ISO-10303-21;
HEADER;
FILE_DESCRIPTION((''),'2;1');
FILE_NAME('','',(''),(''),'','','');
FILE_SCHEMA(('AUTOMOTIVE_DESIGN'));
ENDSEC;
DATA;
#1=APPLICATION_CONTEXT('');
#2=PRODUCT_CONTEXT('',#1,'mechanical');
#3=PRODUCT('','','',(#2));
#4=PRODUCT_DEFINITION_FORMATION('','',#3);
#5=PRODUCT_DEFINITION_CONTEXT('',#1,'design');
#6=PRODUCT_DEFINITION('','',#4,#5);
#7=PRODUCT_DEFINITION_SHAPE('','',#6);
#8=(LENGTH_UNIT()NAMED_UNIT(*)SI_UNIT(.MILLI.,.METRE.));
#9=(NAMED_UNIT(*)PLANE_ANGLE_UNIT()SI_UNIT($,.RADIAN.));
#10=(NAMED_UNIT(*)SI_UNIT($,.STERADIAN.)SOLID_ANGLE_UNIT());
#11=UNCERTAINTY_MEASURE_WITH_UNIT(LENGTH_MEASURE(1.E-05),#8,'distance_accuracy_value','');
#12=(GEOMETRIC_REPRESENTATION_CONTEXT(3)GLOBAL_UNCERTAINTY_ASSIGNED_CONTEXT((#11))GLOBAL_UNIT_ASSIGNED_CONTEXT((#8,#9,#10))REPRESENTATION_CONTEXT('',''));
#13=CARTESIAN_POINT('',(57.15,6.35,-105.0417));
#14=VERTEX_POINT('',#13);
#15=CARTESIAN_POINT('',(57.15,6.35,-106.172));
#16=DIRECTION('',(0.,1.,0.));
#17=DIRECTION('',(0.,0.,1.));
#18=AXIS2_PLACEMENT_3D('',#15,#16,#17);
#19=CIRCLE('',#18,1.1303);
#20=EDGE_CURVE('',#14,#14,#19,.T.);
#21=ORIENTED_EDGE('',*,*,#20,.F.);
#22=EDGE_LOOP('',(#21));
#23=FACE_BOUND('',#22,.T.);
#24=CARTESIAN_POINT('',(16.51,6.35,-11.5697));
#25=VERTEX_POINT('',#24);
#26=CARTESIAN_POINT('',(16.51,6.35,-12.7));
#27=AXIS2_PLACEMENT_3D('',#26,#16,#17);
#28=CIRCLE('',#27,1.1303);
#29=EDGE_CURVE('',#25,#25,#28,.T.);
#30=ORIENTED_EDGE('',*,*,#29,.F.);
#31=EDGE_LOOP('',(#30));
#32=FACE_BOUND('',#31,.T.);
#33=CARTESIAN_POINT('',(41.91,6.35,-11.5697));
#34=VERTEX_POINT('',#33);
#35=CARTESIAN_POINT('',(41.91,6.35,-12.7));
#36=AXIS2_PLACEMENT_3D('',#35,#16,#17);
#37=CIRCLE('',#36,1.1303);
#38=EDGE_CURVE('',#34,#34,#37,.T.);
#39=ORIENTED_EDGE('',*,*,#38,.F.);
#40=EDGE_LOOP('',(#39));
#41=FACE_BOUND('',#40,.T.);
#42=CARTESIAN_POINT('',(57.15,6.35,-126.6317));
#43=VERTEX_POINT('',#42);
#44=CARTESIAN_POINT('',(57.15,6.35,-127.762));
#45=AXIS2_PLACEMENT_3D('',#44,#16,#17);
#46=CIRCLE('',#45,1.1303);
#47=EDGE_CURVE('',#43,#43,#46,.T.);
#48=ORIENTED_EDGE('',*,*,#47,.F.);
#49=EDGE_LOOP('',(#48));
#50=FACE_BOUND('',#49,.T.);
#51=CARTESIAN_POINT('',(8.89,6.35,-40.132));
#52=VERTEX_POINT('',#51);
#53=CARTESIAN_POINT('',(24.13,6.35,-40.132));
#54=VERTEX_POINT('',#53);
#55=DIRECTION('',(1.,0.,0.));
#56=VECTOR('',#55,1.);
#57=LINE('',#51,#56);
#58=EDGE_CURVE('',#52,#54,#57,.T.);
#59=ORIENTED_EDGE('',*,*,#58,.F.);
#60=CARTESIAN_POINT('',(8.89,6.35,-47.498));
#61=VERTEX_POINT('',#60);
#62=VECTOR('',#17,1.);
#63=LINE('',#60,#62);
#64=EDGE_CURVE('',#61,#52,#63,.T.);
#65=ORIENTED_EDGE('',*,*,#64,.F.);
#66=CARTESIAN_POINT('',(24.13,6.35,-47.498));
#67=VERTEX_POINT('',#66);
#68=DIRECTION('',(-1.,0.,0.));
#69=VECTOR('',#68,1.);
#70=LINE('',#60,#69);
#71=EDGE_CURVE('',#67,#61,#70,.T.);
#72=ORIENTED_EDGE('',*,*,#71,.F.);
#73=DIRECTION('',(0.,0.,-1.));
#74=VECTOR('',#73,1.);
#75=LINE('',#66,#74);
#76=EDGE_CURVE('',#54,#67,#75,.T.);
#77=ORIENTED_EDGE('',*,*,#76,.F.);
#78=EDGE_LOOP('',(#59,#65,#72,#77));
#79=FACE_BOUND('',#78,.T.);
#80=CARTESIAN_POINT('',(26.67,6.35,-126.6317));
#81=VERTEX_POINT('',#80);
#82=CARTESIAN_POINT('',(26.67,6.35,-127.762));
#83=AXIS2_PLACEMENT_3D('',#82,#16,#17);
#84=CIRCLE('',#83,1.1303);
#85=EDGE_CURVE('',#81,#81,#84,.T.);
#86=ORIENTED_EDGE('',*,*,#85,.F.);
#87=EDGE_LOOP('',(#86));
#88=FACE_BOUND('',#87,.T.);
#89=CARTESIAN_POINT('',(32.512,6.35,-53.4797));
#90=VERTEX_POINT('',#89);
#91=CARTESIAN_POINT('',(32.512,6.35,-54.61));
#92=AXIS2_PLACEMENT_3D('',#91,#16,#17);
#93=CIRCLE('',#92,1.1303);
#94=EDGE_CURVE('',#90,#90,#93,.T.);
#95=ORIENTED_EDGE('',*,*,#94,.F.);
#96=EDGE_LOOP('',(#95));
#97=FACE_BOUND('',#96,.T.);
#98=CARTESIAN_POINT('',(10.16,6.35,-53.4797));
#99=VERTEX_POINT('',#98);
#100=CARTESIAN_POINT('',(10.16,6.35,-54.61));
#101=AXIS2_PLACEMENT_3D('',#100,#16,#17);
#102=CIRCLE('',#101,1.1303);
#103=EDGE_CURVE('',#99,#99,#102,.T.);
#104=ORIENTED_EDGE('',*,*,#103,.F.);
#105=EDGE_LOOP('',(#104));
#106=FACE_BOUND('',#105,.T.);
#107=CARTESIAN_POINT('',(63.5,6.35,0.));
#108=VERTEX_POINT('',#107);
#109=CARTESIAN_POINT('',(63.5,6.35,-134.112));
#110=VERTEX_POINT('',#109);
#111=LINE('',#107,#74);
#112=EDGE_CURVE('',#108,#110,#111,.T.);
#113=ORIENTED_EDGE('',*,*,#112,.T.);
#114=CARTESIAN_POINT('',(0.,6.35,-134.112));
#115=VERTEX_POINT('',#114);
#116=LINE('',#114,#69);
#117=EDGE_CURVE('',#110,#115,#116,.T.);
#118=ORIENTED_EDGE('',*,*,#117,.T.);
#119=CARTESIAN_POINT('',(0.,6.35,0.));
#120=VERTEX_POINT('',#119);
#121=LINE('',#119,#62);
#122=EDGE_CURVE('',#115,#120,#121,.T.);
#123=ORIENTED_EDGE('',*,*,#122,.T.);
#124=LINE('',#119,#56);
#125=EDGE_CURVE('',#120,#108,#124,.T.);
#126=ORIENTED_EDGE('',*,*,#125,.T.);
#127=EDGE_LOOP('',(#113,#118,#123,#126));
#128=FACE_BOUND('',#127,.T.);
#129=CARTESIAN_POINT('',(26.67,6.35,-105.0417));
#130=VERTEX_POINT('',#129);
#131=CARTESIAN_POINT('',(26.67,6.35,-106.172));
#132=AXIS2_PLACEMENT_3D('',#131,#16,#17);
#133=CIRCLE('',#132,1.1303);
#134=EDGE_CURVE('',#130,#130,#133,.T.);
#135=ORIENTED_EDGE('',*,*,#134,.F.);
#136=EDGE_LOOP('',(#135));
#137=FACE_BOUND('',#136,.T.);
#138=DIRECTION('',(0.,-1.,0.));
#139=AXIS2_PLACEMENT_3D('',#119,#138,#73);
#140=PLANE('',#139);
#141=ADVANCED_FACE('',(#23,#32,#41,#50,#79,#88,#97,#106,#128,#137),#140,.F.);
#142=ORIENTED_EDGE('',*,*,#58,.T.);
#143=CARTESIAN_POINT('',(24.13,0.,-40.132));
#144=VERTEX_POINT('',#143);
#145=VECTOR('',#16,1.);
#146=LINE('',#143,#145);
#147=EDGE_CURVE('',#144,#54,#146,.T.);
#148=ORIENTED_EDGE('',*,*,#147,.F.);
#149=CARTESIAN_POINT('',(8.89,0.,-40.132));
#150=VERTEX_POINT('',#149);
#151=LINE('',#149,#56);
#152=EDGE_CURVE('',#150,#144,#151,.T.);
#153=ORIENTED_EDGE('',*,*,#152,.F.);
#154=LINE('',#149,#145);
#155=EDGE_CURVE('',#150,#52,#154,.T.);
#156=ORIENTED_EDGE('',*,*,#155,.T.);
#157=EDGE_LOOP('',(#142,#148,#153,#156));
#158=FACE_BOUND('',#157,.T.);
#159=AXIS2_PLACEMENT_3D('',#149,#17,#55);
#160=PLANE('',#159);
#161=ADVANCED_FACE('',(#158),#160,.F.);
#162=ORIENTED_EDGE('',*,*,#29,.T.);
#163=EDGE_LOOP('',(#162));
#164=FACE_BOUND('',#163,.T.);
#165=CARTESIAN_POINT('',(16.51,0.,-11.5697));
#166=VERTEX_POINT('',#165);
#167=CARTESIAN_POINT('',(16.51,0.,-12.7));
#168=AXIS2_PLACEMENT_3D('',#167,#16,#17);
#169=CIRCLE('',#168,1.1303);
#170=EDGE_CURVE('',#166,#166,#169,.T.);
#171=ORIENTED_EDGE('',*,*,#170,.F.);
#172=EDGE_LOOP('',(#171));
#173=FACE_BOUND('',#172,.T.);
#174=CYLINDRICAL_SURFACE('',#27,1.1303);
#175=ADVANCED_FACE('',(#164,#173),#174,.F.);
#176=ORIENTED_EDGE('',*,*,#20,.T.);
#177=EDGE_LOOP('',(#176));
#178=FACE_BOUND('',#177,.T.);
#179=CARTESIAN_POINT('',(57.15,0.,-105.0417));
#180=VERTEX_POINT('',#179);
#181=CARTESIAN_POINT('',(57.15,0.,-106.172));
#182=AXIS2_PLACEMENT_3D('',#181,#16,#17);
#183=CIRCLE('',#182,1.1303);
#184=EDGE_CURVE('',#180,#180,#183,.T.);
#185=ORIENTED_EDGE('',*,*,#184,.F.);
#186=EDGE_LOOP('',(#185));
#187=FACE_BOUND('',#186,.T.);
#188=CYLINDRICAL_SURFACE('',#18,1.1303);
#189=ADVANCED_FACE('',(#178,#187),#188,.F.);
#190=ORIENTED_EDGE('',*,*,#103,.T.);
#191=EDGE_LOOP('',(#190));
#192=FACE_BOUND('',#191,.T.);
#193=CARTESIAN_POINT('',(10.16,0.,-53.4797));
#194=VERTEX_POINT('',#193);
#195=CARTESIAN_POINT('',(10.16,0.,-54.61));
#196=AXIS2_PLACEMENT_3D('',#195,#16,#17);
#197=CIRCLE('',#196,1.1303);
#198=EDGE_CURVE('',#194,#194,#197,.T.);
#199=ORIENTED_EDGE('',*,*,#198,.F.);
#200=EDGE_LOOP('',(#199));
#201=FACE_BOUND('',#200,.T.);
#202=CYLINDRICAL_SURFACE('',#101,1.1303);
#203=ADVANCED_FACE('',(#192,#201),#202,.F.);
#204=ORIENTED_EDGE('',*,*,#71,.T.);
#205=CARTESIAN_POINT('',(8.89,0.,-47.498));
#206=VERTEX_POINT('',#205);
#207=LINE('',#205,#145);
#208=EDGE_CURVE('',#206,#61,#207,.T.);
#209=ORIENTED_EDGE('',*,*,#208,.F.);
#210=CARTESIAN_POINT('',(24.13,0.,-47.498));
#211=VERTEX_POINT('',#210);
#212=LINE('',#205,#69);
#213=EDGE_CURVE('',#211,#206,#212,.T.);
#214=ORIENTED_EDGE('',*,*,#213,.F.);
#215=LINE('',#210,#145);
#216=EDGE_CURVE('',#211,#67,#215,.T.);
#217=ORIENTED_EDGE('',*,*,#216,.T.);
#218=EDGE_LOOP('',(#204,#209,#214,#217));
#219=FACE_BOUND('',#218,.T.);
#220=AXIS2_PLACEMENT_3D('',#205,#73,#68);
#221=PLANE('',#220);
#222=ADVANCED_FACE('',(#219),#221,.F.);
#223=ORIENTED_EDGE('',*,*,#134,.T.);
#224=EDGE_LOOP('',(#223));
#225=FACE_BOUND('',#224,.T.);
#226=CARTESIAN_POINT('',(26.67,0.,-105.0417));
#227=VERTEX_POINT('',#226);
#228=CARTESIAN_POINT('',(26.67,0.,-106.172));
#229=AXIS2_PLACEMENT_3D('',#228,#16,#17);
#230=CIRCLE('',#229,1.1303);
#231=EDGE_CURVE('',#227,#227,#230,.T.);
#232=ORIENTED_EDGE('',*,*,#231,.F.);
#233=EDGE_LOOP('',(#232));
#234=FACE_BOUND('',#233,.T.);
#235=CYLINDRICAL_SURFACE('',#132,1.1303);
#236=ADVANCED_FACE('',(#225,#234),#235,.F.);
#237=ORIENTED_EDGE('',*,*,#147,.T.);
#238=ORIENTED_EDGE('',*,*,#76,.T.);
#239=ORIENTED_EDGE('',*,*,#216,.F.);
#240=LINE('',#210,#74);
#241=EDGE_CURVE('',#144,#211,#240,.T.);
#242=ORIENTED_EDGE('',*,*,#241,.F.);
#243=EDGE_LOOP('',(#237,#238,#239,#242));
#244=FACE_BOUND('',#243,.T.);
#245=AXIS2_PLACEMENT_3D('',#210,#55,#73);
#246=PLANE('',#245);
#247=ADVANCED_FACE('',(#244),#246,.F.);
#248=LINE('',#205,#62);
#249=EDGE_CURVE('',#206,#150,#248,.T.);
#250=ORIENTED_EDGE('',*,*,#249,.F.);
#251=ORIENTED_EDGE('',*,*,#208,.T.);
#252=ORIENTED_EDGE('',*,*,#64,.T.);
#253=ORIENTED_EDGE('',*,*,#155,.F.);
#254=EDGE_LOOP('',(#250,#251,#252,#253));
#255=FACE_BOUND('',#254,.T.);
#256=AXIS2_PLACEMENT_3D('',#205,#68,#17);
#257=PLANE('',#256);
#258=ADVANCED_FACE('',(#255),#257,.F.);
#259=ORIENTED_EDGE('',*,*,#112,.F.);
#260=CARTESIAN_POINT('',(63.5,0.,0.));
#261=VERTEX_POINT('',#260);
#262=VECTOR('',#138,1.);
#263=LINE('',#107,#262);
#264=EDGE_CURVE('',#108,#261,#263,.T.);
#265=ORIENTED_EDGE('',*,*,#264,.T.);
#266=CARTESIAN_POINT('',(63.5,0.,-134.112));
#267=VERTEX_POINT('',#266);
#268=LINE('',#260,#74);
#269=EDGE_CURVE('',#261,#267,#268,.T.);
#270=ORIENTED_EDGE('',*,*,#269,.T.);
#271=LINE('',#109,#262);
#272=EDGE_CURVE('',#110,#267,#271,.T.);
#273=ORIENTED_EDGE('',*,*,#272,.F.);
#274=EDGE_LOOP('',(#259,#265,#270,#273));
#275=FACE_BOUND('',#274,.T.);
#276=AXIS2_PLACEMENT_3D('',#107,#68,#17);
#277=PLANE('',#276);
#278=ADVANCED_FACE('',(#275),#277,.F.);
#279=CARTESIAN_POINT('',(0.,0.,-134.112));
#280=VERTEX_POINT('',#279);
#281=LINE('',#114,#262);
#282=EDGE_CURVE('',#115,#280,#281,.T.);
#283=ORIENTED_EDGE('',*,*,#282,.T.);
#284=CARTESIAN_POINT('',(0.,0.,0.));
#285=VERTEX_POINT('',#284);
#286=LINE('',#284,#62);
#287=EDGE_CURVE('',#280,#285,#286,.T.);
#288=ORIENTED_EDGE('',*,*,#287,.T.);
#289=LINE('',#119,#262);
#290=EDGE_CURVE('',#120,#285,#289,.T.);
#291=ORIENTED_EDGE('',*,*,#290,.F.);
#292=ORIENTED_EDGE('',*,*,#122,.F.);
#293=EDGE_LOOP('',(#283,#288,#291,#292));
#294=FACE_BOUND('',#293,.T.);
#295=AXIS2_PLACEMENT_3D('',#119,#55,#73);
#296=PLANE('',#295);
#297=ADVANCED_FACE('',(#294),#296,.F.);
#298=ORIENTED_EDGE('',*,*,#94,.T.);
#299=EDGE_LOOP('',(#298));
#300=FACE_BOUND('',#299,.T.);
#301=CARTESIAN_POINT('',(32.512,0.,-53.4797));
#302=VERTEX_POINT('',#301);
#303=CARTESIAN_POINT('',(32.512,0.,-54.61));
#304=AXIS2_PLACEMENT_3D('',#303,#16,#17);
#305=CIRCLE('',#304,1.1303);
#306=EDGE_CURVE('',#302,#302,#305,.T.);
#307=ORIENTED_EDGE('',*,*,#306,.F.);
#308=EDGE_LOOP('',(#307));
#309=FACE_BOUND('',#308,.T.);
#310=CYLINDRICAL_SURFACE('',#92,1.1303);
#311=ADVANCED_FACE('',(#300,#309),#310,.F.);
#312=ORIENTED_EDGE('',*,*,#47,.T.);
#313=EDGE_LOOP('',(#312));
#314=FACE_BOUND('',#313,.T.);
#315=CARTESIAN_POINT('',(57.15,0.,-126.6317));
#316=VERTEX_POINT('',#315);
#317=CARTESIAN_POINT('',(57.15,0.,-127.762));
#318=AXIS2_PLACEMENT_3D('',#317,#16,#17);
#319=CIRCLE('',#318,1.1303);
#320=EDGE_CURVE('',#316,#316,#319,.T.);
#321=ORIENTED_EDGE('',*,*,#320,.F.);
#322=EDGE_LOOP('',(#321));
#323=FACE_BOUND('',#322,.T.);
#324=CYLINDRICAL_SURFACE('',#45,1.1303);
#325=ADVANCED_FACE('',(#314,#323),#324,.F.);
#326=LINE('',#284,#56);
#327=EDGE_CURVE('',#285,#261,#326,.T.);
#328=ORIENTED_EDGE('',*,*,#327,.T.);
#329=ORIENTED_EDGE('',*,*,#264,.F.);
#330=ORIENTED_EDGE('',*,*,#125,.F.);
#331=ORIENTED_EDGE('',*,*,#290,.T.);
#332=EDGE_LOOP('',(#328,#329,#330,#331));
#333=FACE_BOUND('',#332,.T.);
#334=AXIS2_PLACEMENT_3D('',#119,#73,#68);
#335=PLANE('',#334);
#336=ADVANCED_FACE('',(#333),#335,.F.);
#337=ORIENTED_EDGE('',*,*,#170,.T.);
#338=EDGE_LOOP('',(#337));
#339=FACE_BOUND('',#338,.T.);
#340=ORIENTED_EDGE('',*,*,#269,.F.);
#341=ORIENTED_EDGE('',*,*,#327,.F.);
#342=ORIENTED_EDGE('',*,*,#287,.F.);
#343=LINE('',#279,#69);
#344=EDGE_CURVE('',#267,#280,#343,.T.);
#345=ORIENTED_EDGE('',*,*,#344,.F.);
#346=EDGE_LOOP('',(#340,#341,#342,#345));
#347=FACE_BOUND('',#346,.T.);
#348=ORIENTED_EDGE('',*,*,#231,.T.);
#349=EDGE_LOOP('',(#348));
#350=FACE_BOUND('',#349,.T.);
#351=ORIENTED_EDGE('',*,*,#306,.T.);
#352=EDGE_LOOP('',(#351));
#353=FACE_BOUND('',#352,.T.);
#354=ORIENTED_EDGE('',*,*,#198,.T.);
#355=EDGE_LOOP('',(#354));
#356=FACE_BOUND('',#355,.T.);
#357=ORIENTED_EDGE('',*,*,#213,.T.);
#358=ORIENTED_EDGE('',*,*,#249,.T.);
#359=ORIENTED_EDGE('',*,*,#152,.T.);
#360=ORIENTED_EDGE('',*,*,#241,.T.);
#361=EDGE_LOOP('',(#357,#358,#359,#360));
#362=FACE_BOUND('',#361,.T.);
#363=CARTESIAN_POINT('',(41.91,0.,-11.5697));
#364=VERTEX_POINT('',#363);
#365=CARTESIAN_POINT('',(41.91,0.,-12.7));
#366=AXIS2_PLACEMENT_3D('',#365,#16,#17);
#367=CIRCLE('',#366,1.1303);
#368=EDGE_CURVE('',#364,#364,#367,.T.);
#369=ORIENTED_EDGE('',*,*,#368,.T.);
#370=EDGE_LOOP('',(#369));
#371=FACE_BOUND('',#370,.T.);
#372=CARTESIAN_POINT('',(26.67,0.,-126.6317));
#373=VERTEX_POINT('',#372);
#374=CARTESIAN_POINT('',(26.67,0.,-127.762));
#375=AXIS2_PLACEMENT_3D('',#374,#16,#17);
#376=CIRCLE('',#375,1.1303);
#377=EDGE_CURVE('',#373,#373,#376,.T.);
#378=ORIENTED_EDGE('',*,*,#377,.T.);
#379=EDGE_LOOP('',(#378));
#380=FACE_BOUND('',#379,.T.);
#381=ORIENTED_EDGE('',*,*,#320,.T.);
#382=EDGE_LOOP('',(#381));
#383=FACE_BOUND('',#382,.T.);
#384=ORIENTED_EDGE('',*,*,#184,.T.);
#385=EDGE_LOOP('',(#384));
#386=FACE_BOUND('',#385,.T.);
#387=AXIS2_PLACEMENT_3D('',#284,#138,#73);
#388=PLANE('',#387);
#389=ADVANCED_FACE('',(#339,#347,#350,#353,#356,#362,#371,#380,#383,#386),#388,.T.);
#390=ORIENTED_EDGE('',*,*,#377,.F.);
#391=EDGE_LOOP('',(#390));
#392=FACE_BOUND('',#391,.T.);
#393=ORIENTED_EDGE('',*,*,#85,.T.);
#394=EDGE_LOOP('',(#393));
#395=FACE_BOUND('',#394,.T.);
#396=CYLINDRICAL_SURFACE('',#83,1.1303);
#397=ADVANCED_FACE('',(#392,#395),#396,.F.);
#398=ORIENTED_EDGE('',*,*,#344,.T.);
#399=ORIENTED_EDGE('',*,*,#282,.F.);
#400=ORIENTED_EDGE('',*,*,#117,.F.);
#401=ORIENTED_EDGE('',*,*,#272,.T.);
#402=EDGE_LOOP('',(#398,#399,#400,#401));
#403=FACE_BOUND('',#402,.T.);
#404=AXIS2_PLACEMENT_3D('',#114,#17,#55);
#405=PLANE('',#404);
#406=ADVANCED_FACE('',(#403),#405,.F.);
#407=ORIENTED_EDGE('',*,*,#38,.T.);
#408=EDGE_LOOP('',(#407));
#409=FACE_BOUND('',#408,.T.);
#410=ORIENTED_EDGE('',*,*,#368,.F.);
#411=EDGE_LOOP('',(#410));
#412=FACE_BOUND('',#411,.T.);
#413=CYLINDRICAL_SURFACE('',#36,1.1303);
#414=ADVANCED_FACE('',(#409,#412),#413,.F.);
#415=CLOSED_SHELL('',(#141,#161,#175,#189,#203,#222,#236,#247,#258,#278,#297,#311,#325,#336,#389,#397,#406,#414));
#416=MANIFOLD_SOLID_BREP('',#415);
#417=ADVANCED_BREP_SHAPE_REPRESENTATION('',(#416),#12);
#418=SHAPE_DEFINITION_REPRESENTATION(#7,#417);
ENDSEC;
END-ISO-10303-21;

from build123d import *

# Parameters (mm, degrees)
SKETCH1_W             = 63.5
SKETCH1_H             = 134.112
BOSS_EXTRUDE1_DEPTH   = 6.35
SKETCH4_W             = 15.24
SKETCH4_H             = 7.366
CUT_EXTRUDE3_DEPTH    = 7.35
F_4_40_TAPPED_HOLE1_D = 2.2606
F_4_40_TAPPED_HOLE2_D = 2.2606
F_4_40_TAPPED_HOLE3_D = 2.2606


with BuildPart() as part:
    # Sketch1 → Boss-Extrude1 (new body)
    with BuildSketch(Plane(origin=(0, 0, 0), x_dir=(1, 0, 0), z_dir=(0, 1, 0))):
        with Locations((31.75, 67.056)):
            Rectangle(SKETCH1_W, SKETCH1_H)
    extrude(amount=BOSS_EXTRUDE1_DEPTH)

    # Sketch4 → Cut-Extrude3 (cut, through all)
    with BuildSketch(Plane(origin=(0, 6.35, 0), x_dir=(1, 0, 0), z_dir=(0, 1, 0))):
        with Locations((16.51, 43.815)):
            Rectangle(SKETCH4_W, SKETCH4_H)
    extrude(amount=-CUT_EXTRUDE3_DEPTH, mode=Mode.SUBTRACT)

    # #4-40 Tapped Hole1 (through all)
    with Locations(Plane(origin=(0, 6.35, 0), x_dir=(1, 0, 0), z_dir=(0, 1, 0))):
        with Locations((57.15, 127.762), (57.15, 106.172), (26.67, 106.172), (26.67, 127.762)):
            Hole(F_4_40_TAPPED_HOLE1_D / 2)

    # #4-40 Tapped Hole2 (through all)
    with Locations(Plane(origin=(0, 6.35, 0), x_dir=(1, 0, 0), z_dir=(0, 1, 0))):
        with Locations((32.512, 54.61), (10.16, 54.61)):
            Hole(F_4_40_TAPPED_HOLE2_D / 2)

    # #4-40 Tapped Hole3 (through all)
    with Locations(Plane(origin=(0, 6.35, 0), x_dir=(1, 0, 0), z_dir=(0, 1, 0))):
        with Locations((41.91, 12.7), (16.51, 12.7)):
            Hole(F_4_40_TAPPED_HOLE3_D / 2)


solid = part.part
